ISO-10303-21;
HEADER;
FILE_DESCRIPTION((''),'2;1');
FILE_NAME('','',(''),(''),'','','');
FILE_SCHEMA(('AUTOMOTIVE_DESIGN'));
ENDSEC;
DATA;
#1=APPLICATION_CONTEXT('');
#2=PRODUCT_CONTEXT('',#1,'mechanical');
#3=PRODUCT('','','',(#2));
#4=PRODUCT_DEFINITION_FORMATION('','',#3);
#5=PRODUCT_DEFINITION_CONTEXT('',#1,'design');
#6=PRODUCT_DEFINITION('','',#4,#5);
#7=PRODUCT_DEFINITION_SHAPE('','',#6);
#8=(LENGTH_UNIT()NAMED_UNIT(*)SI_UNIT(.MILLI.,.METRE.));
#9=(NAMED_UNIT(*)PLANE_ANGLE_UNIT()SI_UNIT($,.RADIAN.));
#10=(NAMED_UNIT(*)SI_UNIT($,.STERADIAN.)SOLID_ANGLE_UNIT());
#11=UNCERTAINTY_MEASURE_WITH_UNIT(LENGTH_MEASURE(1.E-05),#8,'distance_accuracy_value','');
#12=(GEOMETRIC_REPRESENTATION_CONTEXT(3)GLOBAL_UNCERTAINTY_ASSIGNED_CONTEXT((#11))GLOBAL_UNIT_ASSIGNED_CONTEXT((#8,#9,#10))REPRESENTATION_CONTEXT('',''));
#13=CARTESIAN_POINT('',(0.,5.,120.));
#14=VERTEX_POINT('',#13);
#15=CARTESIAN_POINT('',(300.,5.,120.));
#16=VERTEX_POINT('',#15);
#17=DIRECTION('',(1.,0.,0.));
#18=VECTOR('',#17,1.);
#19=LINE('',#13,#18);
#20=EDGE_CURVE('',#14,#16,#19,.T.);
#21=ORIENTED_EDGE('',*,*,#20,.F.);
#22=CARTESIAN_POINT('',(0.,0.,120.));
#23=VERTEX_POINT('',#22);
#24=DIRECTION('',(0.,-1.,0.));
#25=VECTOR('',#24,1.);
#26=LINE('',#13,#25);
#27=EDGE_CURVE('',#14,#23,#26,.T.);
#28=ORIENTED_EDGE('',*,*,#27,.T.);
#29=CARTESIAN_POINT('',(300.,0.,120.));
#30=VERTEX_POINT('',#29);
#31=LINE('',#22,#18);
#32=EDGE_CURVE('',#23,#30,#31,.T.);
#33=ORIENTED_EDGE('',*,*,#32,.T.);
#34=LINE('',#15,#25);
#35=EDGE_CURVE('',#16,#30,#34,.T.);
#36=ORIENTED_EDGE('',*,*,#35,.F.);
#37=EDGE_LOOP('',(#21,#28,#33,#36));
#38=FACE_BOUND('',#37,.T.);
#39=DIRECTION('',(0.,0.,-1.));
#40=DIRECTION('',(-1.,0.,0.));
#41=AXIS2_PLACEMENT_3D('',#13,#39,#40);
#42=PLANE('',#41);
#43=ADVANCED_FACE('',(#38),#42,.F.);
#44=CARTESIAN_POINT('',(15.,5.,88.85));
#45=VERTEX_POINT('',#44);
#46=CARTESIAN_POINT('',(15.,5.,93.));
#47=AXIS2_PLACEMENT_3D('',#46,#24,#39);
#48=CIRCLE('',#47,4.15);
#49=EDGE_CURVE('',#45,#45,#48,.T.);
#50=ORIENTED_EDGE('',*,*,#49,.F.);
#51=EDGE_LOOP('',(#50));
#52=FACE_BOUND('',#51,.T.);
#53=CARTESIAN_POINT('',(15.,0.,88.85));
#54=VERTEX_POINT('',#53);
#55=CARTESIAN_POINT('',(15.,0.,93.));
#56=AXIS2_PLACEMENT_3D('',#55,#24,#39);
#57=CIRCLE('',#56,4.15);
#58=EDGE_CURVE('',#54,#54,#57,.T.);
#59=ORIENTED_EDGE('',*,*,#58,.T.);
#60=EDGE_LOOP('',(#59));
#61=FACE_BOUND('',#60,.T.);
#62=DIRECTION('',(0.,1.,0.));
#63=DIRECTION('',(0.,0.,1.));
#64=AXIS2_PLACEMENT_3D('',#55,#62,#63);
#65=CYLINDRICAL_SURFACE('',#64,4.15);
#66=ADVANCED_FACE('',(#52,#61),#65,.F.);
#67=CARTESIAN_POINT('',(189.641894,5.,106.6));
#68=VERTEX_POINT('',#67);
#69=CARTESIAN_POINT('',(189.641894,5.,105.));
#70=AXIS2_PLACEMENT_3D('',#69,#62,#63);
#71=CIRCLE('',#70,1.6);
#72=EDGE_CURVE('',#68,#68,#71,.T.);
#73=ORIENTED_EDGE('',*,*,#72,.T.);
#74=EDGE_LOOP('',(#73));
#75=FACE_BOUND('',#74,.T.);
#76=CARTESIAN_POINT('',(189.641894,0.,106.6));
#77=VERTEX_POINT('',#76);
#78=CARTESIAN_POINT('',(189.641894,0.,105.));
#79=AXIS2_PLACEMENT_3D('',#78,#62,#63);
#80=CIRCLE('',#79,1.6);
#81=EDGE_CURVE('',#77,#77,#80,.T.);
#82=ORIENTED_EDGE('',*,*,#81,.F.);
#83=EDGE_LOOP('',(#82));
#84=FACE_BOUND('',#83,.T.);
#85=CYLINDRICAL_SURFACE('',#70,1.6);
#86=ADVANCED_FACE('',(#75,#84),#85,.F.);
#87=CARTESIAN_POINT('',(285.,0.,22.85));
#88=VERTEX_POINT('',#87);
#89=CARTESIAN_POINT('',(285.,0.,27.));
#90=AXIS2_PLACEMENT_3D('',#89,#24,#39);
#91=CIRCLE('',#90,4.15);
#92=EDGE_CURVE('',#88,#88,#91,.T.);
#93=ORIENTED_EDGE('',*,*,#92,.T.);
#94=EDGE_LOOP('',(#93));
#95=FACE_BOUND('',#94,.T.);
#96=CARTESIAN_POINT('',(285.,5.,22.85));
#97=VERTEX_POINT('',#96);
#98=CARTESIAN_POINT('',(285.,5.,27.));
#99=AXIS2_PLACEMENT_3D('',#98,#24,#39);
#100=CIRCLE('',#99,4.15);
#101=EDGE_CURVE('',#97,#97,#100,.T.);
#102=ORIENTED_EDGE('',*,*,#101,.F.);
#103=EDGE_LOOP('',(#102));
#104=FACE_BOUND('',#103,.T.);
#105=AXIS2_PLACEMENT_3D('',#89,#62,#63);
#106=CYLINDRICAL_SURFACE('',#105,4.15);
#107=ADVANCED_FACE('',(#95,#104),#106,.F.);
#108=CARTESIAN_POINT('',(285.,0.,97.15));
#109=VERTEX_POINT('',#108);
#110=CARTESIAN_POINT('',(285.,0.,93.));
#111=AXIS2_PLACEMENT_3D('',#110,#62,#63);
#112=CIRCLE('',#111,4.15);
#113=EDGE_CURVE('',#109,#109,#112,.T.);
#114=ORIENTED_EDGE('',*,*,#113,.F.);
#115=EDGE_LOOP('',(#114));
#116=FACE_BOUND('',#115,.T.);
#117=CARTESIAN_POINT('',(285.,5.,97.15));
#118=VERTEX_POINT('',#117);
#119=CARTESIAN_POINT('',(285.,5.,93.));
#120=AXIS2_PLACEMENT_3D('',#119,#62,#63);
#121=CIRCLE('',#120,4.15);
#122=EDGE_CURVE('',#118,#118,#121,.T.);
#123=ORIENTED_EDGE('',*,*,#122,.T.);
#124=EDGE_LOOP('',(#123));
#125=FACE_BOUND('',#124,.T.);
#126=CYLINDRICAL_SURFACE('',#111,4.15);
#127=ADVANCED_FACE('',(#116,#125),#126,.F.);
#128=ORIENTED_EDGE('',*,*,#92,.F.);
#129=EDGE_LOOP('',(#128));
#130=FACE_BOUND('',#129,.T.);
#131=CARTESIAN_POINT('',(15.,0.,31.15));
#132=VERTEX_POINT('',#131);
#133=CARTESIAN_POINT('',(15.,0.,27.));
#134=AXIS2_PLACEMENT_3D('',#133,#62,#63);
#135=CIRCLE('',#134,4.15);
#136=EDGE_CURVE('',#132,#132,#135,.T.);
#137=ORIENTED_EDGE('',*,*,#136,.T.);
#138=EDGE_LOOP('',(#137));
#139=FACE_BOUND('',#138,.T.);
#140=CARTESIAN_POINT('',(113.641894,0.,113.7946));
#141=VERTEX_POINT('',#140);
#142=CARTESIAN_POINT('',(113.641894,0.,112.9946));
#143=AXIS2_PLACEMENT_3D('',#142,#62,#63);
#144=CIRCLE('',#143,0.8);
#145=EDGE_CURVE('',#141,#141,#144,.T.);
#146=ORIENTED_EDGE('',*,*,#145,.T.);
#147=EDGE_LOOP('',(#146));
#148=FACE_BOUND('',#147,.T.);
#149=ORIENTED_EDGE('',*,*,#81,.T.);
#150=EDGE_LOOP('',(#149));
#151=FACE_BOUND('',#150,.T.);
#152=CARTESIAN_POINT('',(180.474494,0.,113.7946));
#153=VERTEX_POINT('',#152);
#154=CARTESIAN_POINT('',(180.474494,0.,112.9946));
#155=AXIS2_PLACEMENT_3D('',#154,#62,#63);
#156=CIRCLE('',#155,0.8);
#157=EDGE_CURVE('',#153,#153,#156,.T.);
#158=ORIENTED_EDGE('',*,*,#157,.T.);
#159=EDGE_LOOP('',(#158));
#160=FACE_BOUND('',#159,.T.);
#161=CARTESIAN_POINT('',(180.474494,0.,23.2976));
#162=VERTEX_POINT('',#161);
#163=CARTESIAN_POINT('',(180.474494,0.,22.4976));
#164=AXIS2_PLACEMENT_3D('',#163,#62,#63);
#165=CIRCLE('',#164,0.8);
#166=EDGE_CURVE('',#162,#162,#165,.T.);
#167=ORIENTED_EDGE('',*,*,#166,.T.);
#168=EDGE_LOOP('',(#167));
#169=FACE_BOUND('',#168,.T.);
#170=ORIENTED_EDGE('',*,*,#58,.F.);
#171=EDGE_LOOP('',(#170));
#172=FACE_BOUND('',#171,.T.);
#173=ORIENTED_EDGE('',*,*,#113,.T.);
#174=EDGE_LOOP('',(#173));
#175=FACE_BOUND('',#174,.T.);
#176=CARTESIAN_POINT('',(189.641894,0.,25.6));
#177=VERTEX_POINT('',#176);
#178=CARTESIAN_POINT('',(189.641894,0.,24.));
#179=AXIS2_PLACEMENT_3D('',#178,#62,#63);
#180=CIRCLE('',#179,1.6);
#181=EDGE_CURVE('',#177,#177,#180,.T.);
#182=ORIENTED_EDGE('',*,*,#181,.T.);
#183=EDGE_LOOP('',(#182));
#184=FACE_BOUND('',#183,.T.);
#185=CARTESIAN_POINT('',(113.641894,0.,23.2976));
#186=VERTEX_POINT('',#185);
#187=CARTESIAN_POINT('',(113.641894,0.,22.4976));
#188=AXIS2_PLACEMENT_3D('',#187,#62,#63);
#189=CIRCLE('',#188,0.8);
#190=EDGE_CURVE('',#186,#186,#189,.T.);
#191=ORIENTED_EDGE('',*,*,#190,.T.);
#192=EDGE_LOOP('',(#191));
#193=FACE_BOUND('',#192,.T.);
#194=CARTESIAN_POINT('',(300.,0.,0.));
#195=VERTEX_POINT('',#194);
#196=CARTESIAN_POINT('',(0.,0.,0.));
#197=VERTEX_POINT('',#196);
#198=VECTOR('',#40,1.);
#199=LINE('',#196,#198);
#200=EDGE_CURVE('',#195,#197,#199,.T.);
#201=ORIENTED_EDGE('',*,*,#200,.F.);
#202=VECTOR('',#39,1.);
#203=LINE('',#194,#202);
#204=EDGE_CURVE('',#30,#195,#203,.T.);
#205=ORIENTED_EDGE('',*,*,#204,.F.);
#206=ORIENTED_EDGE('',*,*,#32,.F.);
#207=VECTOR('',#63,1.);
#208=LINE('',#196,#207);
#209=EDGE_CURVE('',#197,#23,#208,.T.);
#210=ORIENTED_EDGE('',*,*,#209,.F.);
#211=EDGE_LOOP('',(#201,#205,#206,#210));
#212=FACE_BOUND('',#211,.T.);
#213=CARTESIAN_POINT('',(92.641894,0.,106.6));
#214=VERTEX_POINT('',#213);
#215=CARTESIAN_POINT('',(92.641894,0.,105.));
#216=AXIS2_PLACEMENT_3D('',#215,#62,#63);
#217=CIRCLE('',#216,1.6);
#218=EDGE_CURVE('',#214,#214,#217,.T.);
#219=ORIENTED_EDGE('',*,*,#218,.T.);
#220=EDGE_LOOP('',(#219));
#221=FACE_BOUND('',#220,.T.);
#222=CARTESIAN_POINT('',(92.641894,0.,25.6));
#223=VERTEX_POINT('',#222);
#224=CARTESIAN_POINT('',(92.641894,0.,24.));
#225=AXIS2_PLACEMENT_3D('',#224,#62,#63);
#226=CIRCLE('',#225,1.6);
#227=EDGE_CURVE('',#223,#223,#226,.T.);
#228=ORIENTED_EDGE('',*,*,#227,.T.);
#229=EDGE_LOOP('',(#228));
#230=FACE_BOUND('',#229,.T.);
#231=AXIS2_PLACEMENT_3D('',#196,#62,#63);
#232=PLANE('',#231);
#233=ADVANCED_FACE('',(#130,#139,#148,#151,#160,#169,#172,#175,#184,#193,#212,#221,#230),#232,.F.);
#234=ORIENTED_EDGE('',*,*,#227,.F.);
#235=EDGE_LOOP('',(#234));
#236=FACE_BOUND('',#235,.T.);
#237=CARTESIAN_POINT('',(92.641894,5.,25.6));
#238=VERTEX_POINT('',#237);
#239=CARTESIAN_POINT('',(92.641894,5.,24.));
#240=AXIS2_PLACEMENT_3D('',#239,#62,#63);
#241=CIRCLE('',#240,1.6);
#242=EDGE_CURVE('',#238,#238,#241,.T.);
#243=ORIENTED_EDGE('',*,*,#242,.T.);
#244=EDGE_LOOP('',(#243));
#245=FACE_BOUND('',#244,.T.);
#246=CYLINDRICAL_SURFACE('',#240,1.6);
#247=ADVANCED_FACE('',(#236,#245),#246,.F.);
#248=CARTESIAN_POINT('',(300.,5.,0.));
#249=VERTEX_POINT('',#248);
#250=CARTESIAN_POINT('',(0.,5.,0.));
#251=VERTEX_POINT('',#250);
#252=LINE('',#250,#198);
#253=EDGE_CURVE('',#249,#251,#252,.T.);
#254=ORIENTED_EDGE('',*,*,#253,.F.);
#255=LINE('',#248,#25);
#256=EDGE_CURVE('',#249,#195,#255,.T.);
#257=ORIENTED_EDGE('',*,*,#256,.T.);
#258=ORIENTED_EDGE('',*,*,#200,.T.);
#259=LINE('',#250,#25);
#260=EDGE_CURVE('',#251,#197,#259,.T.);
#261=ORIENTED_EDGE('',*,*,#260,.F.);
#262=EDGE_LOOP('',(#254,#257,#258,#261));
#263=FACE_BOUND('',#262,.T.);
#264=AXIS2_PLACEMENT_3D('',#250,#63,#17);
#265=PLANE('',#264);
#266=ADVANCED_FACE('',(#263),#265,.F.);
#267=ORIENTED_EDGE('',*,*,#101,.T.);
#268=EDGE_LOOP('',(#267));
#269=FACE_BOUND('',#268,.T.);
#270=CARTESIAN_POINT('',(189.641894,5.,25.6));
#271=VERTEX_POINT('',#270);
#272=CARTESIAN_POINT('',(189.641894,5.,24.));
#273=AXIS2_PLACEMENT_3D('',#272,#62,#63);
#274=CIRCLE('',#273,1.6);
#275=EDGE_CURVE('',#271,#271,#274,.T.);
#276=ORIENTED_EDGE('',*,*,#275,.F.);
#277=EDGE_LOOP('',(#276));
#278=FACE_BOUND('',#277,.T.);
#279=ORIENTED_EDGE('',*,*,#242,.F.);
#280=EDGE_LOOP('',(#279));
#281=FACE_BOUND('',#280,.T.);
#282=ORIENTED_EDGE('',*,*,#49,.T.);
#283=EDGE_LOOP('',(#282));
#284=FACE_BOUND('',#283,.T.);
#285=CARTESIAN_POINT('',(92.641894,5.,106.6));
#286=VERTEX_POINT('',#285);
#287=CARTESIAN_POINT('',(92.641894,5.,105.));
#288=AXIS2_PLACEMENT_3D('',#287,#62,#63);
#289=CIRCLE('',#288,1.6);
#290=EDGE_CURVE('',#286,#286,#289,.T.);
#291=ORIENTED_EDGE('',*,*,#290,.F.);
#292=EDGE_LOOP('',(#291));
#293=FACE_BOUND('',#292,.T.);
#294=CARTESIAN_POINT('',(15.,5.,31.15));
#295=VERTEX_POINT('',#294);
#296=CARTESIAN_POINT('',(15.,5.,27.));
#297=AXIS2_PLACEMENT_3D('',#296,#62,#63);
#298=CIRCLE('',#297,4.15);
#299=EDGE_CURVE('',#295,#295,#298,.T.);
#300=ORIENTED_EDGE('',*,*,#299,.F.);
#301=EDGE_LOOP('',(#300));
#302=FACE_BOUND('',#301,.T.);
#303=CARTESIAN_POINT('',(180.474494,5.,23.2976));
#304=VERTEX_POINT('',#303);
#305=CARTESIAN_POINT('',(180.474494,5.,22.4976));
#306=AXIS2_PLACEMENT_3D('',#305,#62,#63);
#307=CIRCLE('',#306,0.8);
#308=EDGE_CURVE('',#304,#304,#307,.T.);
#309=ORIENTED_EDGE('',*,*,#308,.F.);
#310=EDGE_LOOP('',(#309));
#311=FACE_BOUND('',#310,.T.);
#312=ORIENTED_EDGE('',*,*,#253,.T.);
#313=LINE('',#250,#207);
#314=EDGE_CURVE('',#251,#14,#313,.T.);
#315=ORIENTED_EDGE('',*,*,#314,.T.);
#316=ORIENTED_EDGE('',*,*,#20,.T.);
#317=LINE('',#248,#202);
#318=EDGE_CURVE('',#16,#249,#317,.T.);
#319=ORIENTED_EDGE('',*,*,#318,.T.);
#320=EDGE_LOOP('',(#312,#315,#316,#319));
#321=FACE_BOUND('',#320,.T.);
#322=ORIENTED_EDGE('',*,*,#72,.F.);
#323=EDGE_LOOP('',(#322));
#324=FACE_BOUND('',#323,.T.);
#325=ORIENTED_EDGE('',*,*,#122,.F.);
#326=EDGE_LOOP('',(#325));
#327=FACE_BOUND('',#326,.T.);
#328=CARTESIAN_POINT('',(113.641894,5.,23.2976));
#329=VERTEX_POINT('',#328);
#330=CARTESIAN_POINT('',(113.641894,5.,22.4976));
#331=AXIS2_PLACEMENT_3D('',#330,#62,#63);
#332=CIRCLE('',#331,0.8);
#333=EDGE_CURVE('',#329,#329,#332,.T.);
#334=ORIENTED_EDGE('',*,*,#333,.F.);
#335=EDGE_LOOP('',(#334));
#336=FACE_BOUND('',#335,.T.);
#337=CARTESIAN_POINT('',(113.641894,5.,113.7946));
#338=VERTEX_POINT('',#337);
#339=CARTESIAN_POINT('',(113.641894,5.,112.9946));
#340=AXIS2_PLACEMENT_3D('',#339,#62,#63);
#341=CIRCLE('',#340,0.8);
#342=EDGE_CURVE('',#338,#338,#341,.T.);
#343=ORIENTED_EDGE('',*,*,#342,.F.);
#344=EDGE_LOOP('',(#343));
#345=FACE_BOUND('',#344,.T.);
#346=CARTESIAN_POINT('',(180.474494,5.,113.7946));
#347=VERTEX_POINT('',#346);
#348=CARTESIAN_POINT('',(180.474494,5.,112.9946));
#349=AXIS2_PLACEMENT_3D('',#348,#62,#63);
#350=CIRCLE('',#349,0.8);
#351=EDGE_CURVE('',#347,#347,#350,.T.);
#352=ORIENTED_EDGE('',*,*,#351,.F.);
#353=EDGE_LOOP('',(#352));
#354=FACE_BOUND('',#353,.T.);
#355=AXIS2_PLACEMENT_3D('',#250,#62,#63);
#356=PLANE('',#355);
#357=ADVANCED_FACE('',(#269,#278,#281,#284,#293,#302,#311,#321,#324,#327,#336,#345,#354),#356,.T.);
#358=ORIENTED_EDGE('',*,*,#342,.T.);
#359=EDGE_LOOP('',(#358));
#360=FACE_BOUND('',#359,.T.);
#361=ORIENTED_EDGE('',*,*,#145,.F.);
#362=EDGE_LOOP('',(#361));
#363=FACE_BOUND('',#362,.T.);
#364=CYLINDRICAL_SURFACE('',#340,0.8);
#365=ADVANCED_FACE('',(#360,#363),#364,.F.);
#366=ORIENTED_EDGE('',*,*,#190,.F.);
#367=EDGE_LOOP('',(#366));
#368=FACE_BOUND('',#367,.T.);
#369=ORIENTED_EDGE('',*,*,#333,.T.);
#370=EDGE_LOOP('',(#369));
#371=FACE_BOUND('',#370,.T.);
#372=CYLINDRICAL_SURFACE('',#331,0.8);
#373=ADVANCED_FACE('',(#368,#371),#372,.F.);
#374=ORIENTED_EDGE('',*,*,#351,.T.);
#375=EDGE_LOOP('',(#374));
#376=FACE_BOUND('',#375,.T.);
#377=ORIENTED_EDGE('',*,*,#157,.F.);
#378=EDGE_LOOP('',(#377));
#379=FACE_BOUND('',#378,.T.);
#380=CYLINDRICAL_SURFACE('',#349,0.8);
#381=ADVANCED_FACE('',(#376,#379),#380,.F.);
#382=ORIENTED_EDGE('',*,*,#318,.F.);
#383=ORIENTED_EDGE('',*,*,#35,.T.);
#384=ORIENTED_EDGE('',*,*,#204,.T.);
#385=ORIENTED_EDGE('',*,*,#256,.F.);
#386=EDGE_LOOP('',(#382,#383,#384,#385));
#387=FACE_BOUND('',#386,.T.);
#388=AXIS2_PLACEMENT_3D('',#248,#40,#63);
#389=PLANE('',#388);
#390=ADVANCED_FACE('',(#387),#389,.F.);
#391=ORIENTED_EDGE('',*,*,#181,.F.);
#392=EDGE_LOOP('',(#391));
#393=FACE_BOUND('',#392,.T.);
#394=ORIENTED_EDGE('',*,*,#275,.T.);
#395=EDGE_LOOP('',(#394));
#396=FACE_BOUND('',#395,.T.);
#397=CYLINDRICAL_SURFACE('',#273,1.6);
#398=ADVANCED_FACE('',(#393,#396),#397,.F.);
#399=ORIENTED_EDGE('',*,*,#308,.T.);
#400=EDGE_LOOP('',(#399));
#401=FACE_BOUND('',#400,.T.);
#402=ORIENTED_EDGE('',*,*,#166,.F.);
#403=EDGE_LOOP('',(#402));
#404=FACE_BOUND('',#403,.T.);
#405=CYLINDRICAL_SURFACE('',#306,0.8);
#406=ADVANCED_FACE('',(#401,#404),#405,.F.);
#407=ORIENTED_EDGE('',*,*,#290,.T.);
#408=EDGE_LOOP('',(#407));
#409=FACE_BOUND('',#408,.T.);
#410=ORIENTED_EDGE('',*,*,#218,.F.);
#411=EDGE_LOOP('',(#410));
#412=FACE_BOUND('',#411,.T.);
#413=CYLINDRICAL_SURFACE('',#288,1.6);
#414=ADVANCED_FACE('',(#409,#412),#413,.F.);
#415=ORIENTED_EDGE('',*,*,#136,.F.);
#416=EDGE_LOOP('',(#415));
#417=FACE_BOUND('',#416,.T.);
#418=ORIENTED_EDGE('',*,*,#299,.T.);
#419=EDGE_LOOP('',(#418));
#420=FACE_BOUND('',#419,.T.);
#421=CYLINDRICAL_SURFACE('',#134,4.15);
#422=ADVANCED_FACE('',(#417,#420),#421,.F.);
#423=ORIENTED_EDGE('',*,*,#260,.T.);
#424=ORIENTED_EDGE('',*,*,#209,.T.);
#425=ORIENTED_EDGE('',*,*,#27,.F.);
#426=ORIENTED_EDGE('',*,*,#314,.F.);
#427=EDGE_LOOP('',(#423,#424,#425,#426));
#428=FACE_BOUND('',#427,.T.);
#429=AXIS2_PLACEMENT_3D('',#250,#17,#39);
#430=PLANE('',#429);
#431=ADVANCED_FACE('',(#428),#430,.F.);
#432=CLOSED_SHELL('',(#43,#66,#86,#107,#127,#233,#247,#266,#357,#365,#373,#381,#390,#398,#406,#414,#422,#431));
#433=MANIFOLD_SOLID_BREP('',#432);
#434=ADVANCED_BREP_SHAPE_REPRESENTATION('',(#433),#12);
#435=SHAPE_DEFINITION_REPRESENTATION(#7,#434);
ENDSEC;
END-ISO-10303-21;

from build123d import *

# Parameters (mm, degrees)
SKETCH1_W               = 300
SKETCH1_H               = 120
BOSS_EXTRUDE1_DEPTH     = 5
TAP_DRILL_FOR_M2_TAP1_D = 1.6
M3_CLEARANCE_HOLE1_D    = 3.2
SKETCH2_R               = 4.15
CUT_EXTRUDE1_DEPTH      = 324.148572641


with BuildPart() as part:
    # Sketch1 → Boss-Extrude1 (new body)
    with BuildSketch(Plane(origin=(0, 0, 0), x_dir=(1, 0, 0), z_dir=(0, 1, 0))):
        with Locations((150, -60)):
            Rectangle(SKETCH1_W, SKETCH1_H)
    extrude(amount=BOSS_EXTRUDE1_DEPTH)

    # Tap Drill for M2 Tap1 (through all)
    with Locations(Plane(origin=(0, 5, 0), x_dir=(1, 0, 0), z_dir=(0, 1, 0))):
        with Locations((113.641894276, -112.9946), (180.474494276, -112.9946), (180.474494276, -22.4976), (113.641894276, -22.4976)):
            Hole(TAP_DRILL_FOR_M2_TAP1_D / 2)

    # M3 Clearance Hole1 (through all)
    with Locations(Plane(origin=(0, 5, 0), x_dir=(1, 0, 0), z_dir=(0, 1, 0))):
        with Locations((92.641894276, -105), (92.641894276, -24), (189.641894276, -24), (189.641894276, -105)):
            Hole(M3_CLEARANCE_HOLE1_D / 2)

    # Sketch2 → Cut-Extrude1 (cut, through all)
    with BuildSketch(Plane(origin=(0, 5, 0), x_dir=(1, 0, 0), z_dir=(0, 1, 0))):
        with Locations(Location((15, -27, 0), (0, 0, 270))):
            Circle(SKETCH2_R)
        with Locations(Location((285, -27, 0), (0, 0, 90))):
            Circle(SKETCH2_R)
        with Locations(Location((285, -93, 0), (0, 0, 270))):
            Circle(SKETCH2_R)
        with Locations(Location((15, -93, 0), (0, 0, 90))):
            Circle(SKETCH2_R)
    extrude(amount=-CUT_EXTRUDE1_DEPTH, mode=Mode.SUBTRACT)


solid = part.part
